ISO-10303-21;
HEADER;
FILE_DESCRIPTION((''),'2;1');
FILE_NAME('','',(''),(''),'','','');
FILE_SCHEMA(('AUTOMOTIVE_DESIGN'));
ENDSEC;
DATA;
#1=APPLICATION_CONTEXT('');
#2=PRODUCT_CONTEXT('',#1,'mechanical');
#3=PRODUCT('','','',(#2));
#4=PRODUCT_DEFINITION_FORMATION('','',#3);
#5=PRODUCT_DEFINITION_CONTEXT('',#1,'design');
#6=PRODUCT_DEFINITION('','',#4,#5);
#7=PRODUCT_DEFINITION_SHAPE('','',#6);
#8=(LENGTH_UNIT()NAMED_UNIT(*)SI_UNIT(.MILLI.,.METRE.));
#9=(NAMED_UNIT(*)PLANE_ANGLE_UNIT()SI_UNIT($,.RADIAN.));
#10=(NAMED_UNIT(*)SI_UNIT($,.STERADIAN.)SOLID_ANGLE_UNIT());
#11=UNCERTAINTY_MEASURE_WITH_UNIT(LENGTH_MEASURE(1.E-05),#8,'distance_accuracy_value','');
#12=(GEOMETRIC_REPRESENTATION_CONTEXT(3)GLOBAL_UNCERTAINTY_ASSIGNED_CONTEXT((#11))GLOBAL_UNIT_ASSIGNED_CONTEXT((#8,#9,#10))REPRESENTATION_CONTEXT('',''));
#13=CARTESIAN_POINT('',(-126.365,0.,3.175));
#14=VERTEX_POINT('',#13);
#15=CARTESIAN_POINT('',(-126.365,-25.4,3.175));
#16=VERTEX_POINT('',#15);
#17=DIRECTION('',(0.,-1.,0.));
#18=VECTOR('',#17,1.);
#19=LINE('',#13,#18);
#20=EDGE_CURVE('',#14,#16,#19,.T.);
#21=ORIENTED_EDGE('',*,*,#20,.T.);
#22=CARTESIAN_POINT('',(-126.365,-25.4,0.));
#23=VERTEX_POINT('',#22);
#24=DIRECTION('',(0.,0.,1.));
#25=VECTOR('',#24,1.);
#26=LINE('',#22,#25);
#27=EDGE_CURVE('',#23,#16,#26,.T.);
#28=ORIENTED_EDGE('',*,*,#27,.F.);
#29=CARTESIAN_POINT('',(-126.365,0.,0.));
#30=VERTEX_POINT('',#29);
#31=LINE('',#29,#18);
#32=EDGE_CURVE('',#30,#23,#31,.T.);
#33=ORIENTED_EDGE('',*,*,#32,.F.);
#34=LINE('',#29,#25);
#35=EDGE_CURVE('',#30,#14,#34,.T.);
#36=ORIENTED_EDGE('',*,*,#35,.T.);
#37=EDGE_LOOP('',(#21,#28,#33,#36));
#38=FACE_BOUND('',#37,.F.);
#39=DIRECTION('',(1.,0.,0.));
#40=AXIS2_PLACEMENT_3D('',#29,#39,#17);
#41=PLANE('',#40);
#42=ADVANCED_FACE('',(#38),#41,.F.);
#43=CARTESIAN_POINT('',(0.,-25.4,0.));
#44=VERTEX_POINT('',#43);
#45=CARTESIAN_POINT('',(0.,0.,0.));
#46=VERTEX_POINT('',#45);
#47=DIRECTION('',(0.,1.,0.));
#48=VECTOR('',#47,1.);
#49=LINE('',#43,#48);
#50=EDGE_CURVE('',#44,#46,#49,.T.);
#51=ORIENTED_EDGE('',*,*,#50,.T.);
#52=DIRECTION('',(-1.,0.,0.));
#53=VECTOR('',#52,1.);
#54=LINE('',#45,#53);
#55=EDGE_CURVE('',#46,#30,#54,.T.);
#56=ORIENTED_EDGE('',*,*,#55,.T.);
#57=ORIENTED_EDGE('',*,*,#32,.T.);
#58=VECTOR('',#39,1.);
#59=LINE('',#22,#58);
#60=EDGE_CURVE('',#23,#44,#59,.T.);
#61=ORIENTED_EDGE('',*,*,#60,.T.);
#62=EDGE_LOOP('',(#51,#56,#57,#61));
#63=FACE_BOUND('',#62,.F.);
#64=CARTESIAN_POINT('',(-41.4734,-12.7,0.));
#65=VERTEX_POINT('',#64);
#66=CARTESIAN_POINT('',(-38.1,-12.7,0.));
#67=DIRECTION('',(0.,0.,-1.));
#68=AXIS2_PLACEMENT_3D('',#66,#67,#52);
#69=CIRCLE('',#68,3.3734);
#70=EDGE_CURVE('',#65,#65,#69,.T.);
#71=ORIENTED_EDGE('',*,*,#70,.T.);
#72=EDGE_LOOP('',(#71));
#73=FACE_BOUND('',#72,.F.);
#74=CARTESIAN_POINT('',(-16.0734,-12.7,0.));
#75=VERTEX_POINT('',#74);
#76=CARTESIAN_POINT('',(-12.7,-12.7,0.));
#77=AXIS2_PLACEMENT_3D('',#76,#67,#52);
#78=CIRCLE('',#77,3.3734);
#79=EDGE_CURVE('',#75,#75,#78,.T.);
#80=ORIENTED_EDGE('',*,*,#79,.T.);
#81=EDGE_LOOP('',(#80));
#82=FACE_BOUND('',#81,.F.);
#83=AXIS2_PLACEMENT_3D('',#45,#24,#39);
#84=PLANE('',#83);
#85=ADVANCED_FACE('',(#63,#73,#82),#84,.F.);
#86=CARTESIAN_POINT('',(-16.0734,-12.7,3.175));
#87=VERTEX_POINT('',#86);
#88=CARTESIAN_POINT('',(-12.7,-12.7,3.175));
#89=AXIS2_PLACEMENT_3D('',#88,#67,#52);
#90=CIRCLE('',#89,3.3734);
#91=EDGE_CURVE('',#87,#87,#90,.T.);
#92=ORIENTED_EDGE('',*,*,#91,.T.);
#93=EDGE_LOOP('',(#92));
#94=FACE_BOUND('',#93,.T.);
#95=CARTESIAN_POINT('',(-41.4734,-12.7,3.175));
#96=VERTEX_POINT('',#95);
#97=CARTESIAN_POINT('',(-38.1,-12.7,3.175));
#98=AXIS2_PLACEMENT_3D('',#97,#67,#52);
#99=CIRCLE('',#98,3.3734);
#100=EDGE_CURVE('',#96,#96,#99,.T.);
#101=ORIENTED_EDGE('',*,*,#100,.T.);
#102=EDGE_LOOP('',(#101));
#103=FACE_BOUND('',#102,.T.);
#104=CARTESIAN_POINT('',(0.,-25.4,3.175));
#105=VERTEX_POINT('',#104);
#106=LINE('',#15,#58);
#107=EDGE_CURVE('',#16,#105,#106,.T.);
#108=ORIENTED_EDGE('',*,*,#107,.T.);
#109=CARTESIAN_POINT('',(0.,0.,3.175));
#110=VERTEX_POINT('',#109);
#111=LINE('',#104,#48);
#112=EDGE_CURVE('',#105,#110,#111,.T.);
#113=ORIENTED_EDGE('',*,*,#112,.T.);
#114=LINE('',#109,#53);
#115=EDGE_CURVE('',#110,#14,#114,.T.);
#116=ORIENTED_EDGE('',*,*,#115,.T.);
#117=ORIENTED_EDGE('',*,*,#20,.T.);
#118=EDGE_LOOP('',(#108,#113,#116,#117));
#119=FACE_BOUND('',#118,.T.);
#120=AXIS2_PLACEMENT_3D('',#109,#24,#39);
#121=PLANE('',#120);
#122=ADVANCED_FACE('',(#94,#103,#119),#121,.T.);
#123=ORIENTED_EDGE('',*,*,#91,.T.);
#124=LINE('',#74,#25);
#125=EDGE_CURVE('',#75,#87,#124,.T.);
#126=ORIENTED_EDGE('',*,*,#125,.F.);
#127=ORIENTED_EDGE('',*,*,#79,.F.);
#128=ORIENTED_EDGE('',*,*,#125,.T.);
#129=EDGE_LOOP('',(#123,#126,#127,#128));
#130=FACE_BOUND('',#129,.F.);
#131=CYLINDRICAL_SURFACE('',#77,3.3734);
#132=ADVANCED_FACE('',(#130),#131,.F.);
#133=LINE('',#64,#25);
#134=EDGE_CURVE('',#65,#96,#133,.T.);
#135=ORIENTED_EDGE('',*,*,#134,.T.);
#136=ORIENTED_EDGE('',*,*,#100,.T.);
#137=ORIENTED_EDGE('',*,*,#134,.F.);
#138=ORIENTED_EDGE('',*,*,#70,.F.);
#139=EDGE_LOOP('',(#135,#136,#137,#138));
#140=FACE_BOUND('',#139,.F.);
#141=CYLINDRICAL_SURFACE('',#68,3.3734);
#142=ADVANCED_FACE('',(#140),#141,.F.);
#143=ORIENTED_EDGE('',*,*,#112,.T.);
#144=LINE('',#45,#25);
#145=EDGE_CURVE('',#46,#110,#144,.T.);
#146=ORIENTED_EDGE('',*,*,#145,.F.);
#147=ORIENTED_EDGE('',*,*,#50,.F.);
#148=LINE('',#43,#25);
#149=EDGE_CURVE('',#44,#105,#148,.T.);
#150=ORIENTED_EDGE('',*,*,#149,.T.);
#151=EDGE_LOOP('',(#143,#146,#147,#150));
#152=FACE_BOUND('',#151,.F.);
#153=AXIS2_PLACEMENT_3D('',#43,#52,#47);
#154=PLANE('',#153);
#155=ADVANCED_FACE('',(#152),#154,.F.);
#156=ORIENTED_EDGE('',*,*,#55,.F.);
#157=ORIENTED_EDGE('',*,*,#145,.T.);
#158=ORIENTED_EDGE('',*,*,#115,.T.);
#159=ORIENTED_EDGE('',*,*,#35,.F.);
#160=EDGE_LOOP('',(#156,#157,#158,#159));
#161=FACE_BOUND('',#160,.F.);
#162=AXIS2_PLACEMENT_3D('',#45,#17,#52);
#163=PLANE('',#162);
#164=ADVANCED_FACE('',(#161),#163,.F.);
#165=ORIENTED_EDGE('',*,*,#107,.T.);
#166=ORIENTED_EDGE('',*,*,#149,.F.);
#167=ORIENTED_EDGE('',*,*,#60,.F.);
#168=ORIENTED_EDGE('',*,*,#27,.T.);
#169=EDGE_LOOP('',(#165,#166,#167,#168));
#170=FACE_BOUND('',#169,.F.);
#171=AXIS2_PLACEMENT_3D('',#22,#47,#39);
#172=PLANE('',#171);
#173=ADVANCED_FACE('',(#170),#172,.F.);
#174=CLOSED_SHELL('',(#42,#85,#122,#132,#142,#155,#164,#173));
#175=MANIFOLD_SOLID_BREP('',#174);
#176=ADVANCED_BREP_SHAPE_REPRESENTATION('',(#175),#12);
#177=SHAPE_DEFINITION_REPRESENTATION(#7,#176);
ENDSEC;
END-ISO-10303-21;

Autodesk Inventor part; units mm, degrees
ref_plane "YZ Plane" through (0, 0, 0) normal (1, 0, 0) x (0, 1, 0)
ref_plane "XZ Plane" through (0, 0, 0) normal (0, 1, 0) x (-1, 0, 0)
ref_plane "XY Plane" through (0, 0, 0) normal (0, 0, 1) x (1, 0, 0)
sketch "Sketch1" plane through (0, 0, 0) normal (0, 0, 1) x (1, 0, 0)
  line L0 (0, 0) -> (-126.365, 0)
  line L1 (-126.365, 0) -> (-126.365, -25.4)
  line L2 (-126.365, -25.4) -> (0, -25.4)
  line L3 (0, -25.4) -> (0, 0)
  dimension "d0" = 126.365
  dimension "d1" = 25.4
extrude "Extrusion1" add sketch "Sketch1" along normal blind 3.175
sketch "Sketch2" plane through (0, 0, 0) normal (0, 0, -1) x (-1, 0, 0)
  circle A0 centre (38.1, -12.7) radius 3.3734
  circle A1 centre (12.7, -12.7) radius 3.3734
  line L0 (0, 0) -> (126.365, 0) projected
  line L1 (0, -25.4) -> (0, 0) projected
  dimension "d4" = 6.7469
  dimension "d5" = 12.7
  dimension "d6" = 12.7
  dimension "d7" = 25.4
  dimension "d8" = 12.7
extrude "Extrusion2" cut sketch "Sketch2" against normal blind 3.175
properties part number "supportbeam2" material "Aluminum 6061"
